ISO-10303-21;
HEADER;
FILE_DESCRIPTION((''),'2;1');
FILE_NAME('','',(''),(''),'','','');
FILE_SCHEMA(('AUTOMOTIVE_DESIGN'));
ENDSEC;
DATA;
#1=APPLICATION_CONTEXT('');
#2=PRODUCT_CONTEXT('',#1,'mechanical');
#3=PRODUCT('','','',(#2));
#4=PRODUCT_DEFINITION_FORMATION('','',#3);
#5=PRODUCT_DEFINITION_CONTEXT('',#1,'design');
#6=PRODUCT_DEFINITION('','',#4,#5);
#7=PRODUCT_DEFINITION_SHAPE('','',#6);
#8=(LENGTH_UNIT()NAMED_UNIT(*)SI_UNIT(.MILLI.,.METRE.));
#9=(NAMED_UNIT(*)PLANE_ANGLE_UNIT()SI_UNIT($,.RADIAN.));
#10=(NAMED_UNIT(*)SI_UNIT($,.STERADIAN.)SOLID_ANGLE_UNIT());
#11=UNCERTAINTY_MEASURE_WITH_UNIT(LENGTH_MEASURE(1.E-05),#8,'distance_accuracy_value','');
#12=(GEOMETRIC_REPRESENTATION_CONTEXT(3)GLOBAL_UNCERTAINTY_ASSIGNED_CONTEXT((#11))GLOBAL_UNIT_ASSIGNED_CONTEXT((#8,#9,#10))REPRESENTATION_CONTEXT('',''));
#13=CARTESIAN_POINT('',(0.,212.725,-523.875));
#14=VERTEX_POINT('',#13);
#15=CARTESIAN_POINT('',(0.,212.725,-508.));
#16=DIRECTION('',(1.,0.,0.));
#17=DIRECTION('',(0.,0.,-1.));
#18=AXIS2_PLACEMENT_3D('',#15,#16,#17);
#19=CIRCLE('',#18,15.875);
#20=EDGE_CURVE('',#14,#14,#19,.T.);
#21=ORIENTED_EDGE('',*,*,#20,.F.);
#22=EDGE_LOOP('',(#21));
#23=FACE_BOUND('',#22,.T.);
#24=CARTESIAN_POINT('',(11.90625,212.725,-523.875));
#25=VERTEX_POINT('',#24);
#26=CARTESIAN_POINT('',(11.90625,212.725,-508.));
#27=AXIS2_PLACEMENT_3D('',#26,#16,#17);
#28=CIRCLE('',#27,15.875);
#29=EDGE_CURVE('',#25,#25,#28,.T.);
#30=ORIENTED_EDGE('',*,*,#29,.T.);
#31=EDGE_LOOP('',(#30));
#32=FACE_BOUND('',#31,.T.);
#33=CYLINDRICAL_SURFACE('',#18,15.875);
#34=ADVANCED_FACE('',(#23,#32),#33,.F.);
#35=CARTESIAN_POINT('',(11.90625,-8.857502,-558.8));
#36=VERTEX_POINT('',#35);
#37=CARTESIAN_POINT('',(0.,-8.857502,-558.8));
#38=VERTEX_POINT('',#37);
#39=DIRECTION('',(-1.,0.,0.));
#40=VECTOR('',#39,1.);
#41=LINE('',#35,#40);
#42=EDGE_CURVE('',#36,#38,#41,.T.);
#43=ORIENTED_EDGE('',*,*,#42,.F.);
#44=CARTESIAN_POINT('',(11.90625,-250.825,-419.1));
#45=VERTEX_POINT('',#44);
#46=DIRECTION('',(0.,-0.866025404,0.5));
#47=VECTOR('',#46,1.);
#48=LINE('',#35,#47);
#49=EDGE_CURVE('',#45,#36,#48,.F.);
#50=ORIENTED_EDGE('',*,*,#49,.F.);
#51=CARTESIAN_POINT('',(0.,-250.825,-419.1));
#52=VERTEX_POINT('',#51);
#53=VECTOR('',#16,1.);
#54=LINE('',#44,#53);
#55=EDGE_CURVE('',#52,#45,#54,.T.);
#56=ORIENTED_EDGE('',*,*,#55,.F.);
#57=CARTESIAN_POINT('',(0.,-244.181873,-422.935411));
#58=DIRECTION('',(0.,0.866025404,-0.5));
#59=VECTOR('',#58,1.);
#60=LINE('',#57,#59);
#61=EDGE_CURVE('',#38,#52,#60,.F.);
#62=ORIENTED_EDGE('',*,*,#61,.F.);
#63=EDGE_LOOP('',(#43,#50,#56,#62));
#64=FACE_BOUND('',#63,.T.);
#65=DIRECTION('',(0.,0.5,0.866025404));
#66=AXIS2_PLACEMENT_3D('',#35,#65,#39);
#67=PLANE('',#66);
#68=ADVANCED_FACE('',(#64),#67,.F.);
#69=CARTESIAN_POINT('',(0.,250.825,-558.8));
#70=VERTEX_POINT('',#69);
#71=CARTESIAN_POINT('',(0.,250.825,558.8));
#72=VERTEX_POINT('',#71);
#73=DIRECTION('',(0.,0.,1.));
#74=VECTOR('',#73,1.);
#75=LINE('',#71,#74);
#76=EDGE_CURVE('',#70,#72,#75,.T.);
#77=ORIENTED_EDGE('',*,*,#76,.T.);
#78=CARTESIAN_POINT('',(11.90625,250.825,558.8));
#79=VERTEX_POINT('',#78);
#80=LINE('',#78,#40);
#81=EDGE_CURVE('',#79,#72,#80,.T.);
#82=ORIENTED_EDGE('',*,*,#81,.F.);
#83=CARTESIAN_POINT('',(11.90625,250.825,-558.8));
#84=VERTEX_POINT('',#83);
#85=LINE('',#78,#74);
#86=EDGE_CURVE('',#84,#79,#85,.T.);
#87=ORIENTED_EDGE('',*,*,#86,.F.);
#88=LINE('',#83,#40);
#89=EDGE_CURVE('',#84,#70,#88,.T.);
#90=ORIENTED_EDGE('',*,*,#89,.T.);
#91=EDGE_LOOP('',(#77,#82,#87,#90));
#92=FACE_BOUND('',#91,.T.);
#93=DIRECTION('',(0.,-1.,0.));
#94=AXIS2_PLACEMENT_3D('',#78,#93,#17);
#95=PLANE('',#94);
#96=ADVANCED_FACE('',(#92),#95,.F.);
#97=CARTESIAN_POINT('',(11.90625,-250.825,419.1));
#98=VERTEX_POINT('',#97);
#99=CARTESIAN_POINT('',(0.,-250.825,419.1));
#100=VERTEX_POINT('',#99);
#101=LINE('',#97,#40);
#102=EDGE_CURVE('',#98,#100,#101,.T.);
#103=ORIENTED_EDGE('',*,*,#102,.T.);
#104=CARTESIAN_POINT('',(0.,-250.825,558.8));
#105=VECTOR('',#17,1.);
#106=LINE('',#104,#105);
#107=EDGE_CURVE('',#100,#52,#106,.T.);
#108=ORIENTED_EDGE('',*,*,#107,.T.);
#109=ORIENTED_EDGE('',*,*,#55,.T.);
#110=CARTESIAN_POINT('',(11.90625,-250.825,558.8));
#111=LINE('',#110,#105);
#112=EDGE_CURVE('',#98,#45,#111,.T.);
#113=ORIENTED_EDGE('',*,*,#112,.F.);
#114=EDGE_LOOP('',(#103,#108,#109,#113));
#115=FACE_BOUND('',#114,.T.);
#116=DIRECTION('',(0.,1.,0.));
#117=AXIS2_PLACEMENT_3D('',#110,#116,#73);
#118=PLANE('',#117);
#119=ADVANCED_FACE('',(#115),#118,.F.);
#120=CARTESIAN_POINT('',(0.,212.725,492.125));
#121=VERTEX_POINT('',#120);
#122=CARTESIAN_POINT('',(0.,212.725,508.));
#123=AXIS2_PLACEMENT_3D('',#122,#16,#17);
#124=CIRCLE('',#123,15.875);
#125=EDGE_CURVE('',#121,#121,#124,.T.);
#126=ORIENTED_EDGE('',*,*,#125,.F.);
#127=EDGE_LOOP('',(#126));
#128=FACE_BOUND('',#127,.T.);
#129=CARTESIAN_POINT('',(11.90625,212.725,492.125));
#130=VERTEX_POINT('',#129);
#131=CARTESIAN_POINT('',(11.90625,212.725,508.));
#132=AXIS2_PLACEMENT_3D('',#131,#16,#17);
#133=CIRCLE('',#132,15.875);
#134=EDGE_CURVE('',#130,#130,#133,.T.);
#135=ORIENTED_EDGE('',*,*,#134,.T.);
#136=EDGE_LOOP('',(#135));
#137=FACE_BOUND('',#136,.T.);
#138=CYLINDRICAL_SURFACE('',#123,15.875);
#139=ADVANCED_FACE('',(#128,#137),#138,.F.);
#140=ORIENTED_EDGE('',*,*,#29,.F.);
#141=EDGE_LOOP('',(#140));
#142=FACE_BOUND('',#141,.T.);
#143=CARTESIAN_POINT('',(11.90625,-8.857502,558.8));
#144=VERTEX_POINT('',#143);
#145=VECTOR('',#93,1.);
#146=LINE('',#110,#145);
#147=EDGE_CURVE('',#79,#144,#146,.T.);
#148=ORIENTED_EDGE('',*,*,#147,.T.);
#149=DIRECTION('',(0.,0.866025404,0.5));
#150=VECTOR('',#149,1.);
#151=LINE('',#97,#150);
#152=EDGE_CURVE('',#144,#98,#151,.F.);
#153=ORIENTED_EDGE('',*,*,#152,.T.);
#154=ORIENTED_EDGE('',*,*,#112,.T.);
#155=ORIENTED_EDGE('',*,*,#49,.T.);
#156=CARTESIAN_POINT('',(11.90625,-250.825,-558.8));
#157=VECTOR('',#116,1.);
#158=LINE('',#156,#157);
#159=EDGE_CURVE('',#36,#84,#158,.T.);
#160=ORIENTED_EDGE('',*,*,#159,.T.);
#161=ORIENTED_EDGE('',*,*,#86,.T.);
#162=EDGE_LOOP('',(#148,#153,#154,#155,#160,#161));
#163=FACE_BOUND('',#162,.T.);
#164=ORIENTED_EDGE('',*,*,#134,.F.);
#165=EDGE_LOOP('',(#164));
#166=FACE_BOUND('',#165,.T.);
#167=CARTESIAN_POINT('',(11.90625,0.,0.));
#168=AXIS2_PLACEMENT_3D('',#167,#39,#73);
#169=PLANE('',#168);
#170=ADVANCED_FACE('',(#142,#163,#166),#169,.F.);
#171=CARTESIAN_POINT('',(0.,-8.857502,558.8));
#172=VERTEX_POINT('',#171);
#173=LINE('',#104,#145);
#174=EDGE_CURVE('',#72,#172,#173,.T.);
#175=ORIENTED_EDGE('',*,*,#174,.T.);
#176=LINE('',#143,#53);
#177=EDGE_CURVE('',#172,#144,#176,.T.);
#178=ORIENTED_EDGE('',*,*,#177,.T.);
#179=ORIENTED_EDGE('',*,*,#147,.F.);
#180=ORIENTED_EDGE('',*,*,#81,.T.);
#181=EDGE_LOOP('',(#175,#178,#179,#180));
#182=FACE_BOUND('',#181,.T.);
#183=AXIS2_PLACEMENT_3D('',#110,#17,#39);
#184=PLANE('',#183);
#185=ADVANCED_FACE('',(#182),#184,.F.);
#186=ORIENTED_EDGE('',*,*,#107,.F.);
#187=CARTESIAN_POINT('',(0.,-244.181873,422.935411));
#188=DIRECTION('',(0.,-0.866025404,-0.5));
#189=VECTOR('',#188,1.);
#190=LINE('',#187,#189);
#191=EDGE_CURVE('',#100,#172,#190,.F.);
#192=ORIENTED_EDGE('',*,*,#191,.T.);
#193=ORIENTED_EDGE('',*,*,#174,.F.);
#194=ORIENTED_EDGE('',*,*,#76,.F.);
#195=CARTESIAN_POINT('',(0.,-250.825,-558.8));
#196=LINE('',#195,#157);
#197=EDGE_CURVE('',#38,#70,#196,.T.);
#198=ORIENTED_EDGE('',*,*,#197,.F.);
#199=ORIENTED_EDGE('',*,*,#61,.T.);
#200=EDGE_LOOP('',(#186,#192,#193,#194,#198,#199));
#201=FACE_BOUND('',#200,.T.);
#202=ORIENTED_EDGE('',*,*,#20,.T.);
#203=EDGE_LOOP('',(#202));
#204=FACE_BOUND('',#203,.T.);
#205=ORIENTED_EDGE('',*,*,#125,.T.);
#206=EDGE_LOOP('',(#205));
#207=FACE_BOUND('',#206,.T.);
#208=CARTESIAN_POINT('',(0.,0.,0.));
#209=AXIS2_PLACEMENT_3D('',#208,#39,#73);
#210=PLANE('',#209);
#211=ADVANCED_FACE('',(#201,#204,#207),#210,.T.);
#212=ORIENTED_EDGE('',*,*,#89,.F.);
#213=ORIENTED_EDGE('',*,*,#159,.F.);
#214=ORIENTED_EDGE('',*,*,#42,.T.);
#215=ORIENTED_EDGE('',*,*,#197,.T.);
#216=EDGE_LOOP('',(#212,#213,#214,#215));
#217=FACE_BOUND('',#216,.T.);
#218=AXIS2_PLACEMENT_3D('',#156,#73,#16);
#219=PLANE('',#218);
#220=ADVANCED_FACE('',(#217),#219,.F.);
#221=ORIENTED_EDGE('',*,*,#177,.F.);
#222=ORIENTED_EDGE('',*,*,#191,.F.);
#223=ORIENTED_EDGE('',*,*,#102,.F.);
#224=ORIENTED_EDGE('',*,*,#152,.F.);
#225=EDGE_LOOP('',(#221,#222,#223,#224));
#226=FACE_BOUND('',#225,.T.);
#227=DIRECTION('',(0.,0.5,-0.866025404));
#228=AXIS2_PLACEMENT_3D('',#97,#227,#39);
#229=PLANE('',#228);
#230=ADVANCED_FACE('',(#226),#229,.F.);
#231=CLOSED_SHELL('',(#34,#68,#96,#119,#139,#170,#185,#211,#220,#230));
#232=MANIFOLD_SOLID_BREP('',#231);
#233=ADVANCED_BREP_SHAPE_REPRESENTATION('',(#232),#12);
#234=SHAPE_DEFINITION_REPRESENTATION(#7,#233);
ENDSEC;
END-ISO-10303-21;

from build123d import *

# Parameters (mm, degrees)
SKETCH1_W           = 1117.6
SKETCH1_H           = 501.65
BOSS_EXTRUDE1_DEPTH = 11.90625
SKETCH3_R           = 15.875
CUT_EXTRUDE1_DEPTH  = 613.627439325
CHAMFER1_SIZE       = 139.7
CHAMFER1_SIZE2      = 241.967497817


with BuildPart() as part:
    # Sketch1 → Boss-Extrude1 (new body)
    with BuildSketch(Plane(origin=(0, 0, 0), x_dir=(0, 0, -1), z_dir=(1, 0, 0))):
        Rectangle(SKETCH1_W, SKETCH1_H)
    extrude(amount=BOSS_EXTRUDE1_DEPTH)

    # Sketch3 → Cut-Extrude1 (cut, through all)
    with BuildSketch(Plane(origin=(11.90625, 0, 0), x_dir=(0, 0, -1), z_dir=(1, 0, 0))):
        with Locations((-508, 212.725)):
            Circle(SKETCH3_R)
        with Locations((508, 212.725)):
            Circle(SKETCH3_R)
    extrude(amount=-CUT_EXTRUDE1_DEPTH, mode=Mode.SUBTRACT)

    # Chamfer1
    chamfer1_edges = [part.edges().sort_by_distance(p)[0] for p in [
        (5.953125, -250.825, -558.8),
        (5.953125, -250.825, 558.8),
    ]]
    chamfer1_side = [part.faces().sort_by_distance(p)[0] for p in [
        (5.953125, -250.825, 0),
    ]]
    chamfer(chamfer1_edges, length=CHAMFER1_SIZE, length2=CHAMFER1_SIZE2, reference=chamfer1_side[0])


solid = part.part
